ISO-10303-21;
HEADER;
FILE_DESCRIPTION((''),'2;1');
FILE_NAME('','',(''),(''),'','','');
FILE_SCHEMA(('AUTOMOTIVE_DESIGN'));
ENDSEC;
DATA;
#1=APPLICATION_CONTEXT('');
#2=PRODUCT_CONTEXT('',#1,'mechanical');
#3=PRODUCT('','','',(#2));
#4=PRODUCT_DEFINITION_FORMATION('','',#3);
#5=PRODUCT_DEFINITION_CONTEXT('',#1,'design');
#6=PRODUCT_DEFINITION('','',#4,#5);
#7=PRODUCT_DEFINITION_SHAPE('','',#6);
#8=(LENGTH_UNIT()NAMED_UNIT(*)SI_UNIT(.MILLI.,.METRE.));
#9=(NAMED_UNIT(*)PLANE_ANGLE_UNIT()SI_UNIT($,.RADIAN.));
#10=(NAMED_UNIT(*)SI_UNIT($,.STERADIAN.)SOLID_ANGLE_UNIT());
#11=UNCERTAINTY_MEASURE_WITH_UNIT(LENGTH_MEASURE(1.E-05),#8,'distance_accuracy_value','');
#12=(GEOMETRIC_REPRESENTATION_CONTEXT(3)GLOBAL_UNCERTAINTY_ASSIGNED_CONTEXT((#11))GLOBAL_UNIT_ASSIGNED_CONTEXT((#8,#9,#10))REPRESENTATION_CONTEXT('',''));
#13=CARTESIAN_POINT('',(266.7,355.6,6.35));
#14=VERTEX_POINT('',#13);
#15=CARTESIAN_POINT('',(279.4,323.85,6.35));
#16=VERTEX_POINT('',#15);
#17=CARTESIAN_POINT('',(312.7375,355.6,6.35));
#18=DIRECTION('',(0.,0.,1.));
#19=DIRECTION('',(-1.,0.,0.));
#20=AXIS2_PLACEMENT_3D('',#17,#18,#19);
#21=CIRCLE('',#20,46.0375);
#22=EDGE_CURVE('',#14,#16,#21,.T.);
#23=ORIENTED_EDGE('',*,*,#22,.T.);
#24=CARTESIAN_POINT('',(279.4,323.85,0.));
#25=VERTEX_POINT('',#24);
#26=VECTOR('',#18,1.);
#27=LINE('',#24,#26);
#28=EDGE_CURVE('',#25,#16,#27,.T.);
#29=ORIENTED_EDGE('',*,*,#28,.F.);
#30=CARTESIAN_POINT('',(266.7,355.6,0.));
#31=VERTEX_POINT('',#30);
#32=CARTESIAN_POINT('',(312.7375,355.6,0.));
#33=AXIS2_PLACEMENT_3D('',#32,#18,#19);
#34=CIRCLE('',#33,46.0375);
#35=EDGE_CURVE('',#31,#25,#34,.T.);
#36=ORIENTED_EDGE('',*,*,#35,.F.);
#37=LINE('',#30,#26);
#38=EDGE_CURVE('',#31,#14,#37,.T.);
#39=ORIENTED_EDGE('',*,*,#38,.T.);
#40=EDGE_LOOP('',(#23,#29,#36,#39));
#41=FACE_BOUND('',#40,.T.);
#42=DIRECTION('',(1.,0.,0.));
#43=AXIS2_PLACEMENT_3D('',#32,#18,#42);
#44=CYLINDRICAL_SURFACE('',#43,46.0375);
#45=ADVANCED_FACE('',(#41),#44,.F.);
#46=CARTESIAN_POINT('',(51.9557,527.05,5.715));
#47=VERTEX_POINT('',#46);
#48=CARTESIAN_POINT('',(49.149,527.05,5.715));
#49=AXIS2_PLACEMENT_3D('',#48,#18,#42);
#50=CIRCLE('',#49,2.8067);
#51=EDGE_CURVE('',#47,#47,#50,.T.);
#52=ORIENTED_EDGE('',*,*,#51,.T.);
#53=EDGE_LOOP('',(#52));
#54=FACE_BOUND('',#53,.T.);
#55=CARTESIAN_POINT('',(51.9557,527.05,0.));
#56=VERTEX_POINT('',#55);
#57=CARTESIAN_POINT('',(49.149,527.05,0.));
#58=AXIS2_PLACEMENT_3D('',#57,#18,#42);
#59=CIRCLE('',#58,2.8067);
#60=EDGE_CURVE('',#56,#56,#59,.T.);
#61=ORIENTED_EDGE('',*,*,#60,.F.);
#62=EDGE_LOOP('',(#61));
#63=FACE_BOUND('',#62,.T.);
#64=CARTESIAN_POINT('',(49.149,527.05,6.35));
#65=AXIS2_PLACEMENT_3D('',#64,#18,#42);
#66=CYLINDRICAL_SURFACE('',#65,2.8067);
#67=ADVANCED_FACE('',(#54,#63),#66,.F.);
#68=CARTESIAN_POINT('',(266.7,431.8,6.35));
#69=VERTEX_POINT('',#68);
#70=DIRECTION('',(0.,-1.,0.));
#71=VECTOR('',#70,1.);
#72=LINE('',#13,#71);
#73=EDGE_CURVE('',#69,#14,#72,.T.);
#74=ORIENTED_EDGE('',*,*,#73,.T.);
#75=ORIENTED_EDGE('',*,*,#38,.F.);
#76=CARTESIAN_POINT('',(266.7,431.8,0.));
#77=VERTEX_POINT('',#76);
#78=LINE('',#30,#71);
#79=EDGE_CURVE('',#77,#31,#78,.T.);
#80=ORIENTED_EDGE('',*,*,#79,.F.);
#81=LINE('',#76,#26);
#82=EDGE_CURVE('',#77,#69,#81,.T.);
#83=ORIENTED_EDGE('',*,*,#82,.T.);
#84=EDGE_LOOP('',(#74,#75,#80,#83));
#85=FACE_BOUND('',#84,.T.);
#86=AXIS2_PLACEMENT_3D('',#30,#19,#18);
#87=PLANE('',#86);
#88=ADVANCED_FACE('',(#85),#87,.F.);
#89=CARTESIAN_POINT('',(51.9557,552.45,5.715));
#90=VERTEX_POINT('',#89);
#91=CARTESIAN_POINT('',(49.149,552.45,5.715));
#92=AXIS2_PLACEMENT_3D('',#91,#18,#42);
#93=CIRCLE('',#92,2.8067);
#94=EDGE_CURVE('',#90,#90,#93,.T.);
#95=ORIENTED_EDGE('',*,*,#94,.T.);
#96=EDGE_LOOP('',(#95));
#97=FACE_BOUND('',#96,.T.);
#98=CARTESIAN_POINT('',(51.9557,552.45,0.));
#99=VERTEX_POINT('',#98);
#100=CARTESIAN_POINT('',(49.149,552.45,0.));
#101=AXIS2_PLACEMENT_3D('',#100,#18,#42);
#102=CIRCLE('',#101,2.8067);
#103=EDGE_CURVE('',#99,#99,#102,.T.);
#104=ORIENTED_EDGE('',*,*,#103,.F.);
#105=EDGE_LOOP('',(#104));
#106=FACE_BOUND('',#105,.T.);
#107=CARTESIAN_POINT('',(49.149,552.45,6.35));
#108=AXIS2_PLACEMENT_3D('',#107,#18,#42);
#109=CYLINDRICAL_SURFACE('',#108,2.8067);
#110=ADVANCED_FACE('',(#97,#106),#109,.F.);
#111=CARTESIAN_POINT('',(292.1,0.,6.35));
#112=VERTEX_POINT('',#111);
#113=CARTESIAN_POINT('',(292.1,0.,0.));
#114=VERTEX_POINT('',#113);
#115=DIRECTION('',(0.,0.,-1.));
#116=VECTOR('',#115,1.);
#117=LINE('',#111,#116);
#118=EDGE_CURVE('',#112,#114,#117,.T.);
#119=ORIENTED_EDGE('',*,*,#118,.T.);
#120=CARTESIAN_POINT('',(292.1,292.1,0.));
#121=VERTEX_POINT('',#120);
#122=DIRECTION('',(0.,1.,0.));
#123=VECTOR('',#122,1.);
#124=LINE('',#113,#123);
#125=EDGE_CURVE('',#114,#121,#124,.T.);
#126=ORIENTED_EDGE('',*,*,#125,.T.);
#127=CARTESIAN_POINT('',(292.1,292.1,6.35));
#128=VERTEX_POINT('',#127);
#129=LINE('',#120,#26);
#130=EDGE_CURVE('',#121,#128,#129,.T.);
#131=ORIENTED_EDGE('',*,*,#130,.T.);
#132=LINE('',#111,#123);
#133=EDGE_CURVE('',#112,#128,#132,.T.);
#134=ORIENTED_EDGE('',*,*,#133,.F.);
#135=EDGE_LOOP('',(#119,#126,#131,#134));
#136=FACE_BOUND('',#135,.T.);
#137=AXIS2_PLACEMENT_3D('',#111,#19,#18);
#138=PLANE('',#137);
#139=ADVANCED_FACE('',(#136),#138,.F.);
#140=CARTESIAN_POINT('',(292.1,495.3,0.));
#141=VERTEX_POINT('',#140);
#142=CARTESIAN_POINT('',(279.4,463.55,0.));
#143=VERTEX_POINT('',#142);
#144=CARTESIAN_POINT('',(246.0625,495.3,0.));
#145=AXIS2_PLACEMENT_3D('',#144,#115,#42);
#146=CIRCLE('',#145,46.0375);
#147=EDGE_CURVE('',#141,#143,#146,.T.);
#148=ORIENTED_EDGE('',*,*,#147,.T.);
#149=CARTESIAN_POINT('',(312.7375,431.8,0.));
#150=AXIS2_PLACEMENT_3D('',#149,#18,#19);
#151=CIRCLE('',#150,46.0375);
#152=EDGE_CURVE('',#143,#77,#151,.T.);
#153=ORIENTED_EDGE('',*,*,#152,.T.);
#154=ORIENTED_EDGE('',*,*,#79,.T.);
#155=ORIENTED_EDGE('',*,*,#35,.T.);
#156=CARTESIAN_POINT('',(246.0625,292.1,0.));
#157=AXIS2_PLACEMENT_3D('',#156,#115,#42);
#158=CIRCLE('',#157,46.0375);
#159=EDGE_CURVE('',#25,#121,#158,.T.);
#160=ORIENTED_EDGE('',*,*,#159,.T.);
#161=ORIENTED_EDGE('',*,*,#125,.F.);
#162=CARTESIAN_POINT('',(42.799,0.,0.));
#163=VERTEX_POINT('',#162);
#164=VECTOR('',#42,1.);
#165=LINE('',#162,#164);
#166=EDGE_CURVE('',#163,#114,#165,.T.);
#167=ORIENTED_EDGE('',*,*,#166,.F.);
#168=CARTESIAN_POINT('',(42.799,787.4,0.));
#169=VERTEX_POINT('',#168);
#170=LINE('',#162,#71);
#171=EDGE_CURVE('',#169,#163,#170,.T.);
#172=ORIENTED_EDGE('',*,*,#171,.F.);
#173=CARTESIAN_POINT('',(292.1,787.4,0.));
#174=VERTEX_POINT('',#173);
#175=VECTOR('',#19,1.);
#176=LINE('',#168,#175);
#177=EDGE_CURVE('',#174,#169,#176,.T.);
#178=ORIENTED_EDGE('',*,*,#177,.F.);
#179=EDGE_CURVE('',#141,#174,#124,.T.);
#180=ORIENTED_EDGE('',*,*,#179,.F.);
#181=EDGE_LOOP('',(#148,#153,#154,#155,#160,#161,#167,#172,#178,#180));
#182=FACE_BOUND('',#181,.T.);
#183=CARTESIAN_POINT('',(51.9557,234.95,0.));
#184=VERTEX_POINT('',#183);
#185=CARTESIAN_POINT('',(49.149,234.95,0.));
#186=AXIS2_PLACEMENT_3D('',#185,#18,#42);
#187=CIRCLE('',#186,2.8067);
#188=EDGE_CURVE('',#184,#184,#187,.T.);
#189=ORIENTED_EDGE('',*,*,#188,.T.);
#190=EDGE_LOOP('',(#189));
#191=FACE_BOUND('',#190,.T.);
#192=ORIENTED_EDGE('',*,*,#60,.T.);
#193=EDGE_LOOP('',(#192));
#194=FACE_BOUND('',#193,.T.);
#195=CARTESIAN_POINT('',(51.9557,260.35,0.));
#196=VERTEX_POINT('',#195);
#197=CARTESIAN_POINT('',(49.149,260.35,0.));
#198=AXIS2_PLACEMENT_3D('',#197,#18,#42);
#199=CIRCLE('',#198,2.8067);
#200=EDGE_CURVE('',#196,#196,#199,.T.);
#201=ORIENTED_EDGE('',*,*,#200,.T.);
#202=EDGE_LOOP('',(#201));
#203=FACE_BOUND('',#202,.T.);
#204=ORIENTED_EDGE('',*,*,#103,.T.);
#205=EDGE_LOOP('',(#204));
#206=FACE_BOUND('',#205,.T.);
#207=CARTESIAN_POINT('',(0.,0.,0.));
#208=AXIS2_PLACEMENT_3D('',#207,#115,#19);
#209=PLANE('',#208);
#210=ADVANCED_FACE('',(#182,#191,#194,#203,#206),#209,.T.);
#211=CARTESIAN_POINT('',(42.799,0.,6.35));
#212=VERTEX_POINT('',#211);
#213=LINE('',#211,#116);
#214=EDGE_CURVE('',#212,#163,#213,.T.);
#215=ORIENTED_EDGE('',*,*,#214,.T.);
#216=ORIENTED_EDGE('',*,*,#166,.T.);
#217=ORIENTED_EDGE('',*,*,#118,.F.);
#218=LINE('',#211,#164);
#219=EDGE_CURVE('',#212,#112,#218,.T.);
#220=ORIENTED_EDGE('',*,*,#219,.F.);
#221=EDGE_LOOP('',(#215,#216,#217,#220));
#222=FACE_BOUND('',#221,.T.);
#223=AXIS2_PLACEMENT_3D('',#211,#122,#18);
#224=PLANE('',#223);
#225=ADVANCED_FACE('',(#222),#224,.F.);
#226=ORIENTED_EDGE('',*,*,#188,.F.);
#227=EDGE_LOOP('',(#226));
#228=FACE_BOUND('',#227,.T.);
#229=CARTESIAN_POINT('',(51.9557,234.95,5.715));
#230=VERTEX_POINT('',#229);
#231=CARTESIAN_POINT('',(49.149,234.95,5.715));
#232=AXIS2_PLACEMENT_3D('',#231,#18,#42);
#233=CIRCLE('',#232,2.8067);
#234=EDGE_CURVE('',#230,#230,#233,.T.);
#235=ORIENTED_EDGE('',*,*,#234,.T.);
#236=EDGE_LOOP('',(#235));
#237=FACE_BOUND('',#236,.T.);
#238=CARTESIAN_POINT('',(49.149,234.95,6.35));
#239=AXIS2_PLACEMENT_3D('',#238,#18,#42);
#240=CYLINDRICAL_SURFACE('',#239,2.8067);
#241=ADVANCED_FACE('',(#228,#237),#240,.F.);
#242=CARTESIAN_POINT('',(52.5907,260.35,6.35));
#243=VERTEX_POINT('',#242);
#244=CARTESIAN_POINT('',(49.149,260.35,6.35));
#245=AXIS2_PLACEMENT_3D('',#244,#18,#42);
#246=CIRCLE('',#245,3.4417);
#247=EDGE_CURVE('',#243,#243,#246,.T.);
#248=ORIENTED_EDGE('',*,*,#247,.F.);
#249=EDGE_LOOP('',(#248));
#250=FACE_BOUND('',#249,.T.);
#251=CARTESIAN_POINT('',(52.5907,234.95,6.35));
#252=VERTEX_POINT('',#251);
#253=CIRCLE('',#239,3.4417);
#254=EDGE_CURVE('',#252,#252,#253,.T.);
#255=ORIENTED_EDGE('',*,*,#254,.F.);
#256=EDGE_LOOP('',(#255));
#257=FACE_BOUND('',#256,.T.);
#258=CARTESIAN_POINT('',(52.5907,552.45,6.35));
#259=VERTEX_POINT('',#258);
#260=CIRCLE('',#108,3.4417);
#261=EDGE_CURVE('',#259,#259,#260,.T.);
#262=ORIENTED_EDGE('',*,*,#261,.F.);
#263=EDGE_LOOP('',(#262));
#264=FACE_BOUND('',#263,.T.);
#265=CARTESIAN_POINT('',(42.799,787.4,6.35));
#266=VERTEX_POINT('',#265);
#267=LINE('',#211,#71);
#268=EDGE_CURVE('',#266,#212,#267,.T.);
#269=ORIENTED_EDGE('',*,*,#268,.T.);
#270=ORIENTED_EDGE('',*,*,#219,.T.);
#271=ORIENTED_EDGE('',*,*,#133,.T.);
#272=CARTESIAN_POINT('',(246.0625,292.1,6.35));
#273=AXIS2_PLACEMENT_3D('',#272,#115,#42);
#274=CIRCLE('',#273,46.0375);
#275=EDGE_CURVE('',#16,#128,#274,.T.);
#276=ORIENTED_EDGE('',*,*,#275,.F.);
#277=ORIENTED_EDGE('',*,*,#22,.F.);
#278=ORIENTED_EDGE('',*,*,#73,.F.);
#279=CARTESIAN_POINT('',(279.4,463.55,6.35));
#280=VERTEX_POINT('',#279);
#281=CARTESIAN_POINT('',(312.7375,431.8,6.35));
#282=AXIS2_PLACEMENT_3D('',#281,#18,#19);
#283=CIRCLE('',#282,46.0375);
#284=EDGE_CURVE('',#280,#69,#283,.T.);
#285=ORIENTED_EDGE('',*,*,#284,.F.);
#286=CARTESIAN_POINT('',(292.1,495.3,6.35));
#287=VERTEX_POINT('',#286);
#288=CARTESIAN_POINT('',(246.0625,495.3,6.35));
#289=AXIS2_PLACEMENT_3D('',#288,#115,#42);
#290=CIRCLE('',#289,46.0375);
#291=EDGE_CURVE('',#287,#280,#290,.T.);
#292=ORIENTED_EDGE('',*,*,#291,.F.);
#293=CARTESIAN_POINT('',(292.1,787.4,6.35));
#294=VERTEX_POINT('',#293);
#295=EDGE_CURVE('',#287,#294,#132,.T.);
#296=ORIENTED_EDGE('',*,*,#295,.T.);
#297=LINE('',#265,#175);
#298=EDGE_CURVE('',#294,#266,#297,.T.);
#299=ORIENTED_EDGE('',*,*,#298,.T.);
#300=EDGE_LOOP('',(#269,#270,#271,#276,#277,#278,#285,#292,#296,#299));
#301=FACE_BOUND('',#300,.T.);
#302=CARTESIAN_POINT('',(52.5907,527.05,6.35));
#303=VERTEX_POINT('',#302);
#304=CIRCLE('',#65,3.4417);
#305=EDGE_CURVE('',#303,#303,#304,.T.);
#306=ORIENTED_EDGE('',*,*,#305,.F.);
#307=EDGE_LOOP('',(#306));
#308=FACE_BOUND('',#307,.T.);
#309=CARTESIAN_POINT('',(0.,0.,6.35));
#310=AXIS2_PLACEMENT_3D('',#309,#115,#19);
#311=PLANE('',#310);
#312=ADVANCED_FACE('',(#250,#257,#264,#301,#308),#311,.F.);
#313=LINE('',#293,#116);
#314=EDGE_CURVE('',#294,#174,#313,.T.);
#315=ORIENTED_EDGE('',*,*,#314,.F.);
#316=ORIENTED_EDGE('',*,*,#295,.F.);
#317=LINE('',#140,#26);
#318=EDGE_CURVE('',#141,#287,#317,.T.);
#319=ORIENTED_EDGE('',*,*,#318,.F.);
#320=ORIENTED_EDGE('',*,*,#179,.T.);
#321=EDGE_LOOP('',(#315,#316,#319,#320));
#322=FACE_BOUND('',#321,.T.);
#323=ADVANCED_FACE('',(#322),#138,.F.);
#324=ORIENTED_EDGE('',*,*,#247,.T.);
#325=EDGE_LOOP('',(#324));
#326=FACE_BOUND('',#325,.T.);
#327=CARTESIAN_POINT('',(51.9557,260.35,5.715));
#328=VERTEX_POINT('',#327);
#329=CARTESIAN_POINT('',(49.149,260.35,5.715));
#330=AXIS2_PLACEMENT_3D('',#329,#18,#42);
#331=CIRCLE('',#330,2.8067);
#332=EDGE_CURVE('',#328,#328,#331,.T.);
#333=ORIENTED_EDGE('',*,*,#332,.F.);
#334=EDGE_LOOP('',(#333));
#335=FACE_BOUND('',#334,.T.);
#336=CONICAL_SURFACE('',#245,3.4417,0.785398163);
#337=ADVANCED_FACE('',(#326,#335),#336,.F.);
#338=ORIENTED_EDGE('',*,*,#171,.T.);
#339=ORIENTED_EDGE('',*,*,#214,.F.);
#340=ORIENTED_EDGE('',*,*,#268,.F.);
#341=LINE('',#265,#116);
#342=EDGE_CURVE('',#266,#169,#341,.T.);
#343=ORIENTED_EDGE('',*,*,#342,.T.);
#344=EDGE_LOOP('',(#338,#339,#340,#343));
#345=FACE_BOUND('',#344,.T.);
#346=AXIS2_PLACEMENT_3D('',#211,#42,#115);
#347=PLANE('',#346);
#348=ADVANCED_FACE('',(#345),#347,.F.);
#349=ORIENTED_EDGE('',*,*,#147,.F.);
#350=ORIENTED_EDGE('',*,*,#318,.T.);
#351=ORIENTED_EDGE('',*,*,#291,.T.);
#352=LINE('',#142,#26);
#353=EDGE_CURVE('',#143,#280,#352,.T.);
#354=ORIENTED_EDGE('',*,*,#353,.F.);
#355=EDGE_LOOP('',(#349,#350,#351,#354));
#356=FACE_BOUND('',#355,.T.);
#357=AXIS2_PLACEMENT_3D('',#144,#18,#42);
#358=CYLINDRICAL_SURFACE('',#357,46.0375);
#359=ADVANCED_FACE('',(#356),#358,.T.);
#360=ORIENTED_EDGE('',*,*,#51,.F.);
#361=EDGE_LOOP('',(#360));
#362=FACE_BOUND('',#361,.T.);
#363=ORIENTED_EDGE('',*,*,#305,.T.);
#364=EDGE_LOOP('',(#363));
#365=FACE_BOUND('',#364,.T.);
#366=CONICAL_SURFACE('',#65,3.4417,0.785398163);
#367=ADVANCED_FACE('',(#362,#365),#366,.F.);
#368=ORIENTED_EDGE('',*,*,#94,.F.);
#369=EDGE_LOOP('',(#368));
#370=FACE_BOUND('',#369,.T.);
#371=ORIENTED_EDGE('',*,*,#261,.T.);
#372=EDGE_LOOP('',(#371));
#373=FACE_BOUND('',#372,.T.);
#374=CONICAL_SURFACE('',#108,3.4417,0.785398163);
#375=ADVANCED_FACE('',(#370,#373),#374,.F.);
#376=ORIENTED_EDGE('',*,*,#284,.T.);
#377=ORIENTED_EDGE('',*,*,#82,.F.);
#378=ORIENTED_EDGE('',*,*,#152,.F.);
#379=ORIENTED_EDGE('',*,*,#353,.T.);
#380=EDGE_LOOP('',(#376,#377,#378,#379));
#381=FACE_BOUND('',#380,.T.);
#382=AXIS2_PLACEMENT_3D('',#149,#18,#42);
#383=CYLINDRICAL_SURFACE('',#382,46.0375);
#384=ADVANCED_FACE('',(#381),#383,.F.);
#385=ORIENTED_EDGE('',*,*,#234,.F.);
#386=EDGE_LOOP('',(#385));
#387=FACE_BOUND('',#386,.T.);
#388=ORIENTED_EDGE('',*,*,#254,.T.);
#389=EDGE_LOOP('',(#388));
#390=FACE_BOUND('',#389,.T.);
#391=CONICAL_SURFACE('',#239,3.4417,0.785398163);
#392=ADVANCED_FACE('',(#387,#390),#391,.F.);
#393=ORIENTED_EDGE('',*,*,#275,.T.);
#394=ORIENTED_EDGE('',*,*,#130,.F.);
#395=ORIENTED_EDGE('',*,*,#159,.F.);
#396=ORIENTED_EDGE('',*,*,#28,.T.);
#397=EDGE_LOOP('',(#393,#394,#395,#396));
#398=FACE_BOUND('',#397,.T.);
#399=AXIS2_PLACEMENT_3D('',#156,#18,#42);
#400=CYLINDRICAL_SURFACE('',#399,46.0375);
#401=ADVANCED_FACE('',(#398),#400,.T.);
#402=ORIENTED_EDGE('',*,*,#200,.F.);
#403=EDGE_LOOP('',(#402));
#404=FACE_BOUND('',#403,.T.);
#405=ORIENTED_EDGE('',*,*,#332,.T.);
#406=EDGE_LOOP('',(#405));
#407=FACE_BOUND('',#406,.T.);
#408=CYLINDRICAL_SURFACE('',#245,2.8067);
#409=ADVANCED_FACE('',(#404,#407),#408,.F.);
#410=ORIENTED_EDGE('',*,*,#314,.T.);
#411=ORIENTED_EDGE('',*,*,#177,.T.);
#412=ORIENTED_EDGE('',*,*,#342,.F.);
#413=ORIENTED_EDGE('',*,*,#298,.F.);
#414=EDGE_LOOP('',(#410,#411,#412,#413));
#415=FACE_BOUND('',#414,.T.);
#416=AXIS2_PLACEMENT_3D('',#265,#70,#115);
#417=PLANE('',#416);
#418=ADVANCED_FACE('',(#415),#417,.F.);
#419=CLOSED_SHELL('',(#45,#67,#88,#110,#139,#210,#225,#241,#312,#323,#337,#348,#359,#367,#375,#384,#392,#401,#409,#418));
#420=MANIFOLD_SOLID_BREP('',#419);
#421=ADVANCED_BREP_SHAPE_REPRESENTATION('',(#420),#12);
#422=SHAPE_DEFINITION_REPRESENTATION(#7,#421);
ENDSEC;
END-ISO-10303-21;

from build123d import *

# Parameters (mm, degrees)
SKETCH1_W                        = 249.301
SKETCH1_H                        = 787.4
BOSS_EXTRUDE1_DEPTH              = 6.35
F_10_CLEARANCE_HOLE1_D           = 5.6134
F_10_CLEARANCE_HOLE1_CSINK_D     = 6.8834
F_10_CLEARANCE_HOLE1_CSINK_ANGLE = 90
CUT_EXTRUDE1_DEPTH               = 840.858019251


with BuildPart() as part:
    # Sketch1 → Boss-Extrude1 (new body)
    with BuildSketch(Plane.XY):
        with Locations((167.4495, 393.7)):
            Rectangle(SKETCH1_W, SKETCH1_H)
    extrude(amount=BOSS_EXTRUDE1_DEPTH)

    # #10 Clearance Hole1 (through all)
    with Locations(Plane.XY.offset(6.35)):
        with Locations((49.149, 552.45), (49.149, 527.05), (49.149, 260.35), (49.149, 234.95)):
            CounterSinkHole(F_10_CLEARANCE_HOLE1_D / 2, F_10_CLEARANCE_HOLE1_CSINK_D / 2, counter_sink_angle=F_10_CLEARANCE_HOLE1_CSINK_ANGLE)

    # Sketch6 → Cut-Extrude1 (cut, through all)
    with BuildSketch(Plane.XY.offset(6.35)):
        with BuildLine():
            Line((292.1, 495.3), (304.8, 495.3))
            Line((304.8, 495.3), (304.8, 292.1))
            Line((304.8, 292.1), (292.1, 292.1))
            ThreePointArc((292.1, 292.1), (288.807245657, 309.197898263), (279.4, 323.85))
            ThreePointArc((279.4, 323.85), (269.992754343, 338.502101737), (266.7, 355.6))
            Line((266.7, 355.6), (266.7, 431.8))
            ThreePointArc((266.7, 431.8), (269.992754343, 448.897898263), (279.4, 463.55))
            ThreePointArc((279.4, 463.55), (288.807245657, 478.202101737), (292.1, 495.3))
        make_face()
    extrude(amount=-CUT_EXTRUDE1_DEPTH, mode=Mode.SUBTRACT)


solid = part.part
